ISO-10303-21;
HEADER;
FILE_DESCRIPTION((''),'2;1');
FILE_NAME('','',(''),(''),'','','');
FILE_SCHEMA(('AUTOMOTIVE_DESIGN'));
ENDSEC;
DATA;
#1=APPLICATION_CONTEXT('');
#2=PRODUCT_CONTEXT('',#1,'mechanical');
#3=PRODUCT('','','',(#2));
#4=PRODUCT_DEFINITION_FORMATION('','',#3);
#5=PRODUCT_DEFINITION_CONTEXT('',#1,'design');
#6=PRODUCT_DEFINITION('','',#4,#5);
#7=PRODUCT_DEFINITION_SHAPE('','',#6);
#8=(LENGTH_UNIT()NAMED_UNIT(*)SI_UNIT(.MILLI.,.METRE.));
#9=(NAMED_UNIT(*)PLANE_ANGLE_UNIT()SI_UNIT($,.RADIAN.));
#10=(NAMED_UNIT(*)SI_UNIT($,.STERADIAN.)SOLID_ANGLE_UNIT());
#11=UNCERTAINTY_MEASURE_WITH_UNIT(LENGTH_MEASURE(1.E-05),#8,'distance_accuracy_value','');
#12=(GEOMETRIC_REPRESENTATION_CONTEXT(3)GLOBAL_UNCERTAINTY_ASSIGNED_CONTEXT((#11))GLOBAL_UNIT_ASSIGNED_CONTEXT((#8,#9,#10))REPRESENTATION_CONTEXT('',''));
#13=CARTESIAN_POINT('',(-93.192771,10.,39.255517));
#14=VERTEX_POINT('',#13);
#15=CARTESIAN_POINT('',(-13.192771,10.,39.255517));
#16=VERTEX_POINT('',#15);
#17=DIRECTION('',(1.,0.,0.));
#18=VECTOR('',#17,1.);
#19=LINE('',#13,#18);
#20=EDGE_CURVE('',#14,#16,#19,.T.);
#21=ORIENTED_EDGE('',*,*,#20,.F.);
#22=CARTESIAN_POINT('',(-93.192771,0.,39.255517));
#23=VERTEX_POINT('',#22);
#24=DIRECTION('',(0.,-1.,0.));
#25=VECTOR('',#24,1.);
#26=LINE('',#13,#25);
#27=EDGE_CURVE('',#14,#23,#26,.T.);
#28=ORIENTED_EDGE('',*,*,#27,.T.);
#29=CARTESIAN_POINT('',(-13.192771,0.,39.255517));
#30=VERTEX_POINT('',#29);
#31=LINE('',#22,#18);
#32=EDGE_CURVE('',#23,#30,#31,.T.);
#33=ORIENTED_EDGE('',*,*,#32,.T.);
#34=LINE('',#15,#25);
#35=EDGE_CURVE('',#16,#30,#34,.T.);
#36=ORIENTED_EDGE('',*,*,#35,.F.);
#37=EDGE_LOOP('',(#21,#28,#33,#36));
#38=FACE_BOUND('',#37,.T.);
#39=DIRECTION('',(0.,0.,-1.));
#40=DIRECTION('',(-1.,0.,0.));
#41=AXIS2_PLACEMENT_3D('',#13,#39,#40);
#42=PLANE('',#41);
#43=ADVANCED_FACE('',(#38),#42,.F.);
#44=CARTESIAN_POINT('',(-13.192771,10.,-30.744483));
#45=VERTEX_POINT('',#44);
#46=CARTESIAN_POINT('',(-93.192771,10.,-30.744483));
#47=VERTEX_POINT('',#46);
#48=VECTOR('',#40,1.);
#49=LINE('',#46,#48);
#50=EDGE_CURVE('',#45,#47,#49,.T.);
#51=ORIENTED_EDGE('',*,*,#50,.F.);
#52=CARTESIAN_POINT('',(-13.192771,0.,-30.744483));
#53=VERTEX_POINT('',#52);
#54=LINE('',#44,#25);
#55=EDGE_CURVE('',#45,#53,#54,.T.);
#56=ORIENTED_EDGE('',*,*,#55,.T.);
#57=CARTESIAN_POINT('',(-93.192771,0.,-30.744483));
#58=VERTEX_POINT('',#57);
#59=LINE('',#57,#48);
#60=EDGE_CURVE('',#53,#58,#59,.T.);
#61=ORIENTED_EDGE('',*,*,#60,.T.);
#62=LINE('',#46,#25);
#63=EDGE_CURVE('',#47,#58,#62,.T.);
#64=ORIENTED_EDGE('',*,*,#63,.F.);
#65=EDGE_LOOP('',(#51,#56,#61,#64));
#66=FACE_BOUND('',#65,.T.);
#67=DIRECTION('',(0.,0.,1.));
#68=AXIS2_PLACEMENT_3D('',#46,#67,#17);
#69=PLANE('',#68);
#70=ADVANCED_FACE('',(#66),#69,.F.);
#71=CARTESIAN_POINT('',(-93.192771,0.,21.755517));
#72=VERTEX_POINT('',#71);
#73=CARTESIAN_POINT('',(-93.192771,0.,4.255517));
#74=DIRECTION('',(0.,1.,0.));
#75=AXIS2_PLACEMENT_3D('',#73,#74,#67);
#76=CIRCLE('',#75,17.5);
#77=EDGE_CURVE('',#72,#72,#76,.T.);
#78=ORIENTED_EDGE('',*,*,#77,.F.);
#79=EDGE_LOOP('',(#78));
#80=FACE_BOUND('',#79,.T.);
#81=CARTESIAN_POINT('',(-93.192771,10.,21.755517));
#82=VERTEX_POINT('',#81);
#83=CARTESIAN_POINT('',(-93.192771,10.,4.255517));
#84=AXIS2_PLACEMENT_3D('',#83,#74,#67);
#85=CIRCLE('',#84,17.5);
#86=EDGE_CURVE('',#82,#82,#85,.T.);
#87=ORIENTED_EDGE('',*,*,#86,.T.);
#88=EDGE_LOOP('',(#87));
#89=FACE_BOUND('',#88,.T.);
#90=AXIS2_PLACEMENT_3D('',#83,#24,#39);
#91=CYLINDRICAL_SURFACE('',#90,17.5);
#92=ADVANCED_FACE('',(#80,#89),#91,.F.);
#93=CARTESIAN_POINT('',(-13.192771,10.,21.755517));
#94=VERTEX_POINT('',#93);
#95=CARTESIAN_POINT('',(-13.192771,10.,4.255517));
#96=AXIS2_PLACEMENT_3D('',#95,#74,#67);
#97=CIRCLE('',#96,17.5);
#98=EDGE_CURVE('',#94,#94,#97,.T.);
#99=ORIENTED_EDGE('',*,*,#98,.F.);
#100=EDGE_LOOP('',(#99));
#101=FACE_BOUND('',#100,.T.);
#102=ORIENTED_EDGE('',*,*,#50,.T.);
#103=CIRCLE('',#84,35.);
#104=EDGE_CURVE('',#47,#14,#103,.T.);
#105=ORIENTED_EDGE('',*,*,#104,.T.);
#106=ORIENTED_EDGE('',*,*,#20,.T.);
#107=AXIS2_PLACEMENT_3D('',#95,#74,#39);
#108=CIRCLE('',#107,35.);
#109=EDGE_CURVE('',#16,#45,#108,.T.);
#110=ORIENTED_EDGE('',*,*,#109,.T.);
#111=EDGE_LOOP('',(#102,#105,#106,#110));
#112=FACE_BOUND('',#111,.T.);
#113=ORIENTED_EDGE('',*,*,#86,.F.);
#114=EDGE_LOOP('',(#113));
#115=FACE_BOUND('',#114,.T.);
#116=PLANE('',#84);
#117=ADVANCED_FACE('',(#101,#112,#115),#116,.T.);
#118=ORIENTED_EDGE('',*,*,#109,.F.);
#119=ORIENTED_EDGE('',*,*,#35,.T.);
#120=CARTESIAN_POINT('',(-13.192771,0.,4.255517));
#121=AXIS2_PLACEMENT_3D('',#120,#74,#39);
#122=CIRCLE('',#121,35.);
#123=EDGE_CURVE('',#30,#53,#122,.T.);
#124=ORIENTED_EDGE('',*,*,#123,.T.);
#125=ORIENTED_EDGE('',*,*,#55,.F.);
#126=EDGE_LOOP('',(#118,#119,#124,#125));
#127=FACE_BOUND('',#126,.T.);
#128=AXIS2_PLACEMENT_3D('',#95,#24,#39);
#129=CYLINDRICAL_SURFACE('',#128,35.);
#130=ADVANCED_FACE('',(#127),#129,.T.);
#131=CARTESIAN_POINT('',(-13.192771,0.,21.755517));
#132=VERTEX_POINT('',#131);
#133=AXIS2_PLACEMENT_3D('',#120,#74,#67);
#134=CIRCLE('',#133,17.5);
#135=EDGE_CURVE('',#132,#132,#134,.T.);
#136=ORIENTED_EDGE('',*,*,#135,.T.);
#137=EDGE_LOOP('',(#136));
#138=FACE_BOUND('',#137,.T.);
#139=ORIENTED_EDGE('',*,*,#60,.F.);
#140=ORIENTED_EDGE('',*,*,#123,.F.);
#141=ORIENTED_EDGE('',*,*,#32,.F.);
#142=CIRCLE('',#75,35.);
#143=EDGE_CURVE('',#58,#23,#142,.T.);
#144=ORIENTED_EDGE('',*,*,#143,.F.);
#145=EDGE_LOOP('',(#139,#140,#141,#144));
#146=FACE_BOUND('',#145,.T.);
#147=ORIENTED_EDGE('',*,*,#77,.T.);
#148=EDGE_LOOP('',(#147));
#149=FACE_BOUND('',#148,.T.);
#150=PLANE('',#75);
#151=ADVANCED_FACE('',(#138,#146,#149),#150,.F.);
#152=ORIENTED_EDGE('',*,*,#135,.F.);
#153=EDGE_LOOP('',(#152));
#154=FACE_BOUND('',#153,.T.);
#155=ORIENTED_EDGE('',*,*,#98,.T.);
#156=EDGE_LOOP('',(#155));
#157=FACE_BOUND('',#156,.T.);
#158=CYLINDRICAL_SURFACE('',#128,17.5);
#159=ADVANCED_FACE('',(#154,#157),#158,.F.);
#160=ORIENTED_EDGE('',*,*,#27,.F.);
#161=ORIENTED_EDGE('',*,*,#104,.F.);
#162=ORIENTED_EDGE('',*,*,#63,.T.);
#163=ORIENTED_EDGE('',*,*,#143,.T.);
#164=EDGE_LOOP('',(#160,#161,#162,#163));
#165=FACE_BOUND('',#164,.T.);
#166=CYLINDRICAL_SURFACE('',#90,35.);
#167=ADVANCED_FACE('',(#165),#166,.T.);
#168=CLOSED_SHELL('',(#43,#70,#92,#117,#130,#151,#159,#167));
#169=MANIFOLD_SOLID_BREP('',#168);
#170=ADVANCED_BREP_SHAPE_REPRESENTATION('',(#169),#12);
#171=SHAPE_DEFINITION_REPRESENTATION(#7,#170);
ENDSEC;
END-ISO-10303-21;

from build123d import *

# Parameters (mm, degrees)
SKETCH1_R           = 17.5
BOSS_EXTRUDE1_DEPTH = 10


with BuildPart() as part:
    # Sketch1 → Boss-Extrude1 (new body)
    with BuildSketch(Plane(origin=(0, 0, 0), x_dir=(1, 0, 0), z_dir=(0, 1, 0))):
        with BuildLine():
            Line((-93.192771084, 30.744483458), (-13.192771084, 30.744483458))
            ThreePointArc((-13.192771084, 30.744483458), (21.807228916, -4.255516542), (-13.192771084, -39.255516542))
            Line((-13.192771084, -39.255516542), (-93.192771084, -39.255516542))
            ThreePointArc((-93.192771084, -39.255516542), (-128.192771084, -4.255516542), (-93.192771084, 30.744483458))
        make_face()
        with Locations((-93.192771084, -4.255516542)):
            Circle(SKETCH1_R, mode=Mode.SUBTRACT)
        with Locations((-13.192771084, -4.255516542)):
            Circle(SKETCH1_R, mode=Mode.SUBTRACT)
    extrude(amount=BOSS_EXTRUDE1_DEPTH)


solid = part.part
